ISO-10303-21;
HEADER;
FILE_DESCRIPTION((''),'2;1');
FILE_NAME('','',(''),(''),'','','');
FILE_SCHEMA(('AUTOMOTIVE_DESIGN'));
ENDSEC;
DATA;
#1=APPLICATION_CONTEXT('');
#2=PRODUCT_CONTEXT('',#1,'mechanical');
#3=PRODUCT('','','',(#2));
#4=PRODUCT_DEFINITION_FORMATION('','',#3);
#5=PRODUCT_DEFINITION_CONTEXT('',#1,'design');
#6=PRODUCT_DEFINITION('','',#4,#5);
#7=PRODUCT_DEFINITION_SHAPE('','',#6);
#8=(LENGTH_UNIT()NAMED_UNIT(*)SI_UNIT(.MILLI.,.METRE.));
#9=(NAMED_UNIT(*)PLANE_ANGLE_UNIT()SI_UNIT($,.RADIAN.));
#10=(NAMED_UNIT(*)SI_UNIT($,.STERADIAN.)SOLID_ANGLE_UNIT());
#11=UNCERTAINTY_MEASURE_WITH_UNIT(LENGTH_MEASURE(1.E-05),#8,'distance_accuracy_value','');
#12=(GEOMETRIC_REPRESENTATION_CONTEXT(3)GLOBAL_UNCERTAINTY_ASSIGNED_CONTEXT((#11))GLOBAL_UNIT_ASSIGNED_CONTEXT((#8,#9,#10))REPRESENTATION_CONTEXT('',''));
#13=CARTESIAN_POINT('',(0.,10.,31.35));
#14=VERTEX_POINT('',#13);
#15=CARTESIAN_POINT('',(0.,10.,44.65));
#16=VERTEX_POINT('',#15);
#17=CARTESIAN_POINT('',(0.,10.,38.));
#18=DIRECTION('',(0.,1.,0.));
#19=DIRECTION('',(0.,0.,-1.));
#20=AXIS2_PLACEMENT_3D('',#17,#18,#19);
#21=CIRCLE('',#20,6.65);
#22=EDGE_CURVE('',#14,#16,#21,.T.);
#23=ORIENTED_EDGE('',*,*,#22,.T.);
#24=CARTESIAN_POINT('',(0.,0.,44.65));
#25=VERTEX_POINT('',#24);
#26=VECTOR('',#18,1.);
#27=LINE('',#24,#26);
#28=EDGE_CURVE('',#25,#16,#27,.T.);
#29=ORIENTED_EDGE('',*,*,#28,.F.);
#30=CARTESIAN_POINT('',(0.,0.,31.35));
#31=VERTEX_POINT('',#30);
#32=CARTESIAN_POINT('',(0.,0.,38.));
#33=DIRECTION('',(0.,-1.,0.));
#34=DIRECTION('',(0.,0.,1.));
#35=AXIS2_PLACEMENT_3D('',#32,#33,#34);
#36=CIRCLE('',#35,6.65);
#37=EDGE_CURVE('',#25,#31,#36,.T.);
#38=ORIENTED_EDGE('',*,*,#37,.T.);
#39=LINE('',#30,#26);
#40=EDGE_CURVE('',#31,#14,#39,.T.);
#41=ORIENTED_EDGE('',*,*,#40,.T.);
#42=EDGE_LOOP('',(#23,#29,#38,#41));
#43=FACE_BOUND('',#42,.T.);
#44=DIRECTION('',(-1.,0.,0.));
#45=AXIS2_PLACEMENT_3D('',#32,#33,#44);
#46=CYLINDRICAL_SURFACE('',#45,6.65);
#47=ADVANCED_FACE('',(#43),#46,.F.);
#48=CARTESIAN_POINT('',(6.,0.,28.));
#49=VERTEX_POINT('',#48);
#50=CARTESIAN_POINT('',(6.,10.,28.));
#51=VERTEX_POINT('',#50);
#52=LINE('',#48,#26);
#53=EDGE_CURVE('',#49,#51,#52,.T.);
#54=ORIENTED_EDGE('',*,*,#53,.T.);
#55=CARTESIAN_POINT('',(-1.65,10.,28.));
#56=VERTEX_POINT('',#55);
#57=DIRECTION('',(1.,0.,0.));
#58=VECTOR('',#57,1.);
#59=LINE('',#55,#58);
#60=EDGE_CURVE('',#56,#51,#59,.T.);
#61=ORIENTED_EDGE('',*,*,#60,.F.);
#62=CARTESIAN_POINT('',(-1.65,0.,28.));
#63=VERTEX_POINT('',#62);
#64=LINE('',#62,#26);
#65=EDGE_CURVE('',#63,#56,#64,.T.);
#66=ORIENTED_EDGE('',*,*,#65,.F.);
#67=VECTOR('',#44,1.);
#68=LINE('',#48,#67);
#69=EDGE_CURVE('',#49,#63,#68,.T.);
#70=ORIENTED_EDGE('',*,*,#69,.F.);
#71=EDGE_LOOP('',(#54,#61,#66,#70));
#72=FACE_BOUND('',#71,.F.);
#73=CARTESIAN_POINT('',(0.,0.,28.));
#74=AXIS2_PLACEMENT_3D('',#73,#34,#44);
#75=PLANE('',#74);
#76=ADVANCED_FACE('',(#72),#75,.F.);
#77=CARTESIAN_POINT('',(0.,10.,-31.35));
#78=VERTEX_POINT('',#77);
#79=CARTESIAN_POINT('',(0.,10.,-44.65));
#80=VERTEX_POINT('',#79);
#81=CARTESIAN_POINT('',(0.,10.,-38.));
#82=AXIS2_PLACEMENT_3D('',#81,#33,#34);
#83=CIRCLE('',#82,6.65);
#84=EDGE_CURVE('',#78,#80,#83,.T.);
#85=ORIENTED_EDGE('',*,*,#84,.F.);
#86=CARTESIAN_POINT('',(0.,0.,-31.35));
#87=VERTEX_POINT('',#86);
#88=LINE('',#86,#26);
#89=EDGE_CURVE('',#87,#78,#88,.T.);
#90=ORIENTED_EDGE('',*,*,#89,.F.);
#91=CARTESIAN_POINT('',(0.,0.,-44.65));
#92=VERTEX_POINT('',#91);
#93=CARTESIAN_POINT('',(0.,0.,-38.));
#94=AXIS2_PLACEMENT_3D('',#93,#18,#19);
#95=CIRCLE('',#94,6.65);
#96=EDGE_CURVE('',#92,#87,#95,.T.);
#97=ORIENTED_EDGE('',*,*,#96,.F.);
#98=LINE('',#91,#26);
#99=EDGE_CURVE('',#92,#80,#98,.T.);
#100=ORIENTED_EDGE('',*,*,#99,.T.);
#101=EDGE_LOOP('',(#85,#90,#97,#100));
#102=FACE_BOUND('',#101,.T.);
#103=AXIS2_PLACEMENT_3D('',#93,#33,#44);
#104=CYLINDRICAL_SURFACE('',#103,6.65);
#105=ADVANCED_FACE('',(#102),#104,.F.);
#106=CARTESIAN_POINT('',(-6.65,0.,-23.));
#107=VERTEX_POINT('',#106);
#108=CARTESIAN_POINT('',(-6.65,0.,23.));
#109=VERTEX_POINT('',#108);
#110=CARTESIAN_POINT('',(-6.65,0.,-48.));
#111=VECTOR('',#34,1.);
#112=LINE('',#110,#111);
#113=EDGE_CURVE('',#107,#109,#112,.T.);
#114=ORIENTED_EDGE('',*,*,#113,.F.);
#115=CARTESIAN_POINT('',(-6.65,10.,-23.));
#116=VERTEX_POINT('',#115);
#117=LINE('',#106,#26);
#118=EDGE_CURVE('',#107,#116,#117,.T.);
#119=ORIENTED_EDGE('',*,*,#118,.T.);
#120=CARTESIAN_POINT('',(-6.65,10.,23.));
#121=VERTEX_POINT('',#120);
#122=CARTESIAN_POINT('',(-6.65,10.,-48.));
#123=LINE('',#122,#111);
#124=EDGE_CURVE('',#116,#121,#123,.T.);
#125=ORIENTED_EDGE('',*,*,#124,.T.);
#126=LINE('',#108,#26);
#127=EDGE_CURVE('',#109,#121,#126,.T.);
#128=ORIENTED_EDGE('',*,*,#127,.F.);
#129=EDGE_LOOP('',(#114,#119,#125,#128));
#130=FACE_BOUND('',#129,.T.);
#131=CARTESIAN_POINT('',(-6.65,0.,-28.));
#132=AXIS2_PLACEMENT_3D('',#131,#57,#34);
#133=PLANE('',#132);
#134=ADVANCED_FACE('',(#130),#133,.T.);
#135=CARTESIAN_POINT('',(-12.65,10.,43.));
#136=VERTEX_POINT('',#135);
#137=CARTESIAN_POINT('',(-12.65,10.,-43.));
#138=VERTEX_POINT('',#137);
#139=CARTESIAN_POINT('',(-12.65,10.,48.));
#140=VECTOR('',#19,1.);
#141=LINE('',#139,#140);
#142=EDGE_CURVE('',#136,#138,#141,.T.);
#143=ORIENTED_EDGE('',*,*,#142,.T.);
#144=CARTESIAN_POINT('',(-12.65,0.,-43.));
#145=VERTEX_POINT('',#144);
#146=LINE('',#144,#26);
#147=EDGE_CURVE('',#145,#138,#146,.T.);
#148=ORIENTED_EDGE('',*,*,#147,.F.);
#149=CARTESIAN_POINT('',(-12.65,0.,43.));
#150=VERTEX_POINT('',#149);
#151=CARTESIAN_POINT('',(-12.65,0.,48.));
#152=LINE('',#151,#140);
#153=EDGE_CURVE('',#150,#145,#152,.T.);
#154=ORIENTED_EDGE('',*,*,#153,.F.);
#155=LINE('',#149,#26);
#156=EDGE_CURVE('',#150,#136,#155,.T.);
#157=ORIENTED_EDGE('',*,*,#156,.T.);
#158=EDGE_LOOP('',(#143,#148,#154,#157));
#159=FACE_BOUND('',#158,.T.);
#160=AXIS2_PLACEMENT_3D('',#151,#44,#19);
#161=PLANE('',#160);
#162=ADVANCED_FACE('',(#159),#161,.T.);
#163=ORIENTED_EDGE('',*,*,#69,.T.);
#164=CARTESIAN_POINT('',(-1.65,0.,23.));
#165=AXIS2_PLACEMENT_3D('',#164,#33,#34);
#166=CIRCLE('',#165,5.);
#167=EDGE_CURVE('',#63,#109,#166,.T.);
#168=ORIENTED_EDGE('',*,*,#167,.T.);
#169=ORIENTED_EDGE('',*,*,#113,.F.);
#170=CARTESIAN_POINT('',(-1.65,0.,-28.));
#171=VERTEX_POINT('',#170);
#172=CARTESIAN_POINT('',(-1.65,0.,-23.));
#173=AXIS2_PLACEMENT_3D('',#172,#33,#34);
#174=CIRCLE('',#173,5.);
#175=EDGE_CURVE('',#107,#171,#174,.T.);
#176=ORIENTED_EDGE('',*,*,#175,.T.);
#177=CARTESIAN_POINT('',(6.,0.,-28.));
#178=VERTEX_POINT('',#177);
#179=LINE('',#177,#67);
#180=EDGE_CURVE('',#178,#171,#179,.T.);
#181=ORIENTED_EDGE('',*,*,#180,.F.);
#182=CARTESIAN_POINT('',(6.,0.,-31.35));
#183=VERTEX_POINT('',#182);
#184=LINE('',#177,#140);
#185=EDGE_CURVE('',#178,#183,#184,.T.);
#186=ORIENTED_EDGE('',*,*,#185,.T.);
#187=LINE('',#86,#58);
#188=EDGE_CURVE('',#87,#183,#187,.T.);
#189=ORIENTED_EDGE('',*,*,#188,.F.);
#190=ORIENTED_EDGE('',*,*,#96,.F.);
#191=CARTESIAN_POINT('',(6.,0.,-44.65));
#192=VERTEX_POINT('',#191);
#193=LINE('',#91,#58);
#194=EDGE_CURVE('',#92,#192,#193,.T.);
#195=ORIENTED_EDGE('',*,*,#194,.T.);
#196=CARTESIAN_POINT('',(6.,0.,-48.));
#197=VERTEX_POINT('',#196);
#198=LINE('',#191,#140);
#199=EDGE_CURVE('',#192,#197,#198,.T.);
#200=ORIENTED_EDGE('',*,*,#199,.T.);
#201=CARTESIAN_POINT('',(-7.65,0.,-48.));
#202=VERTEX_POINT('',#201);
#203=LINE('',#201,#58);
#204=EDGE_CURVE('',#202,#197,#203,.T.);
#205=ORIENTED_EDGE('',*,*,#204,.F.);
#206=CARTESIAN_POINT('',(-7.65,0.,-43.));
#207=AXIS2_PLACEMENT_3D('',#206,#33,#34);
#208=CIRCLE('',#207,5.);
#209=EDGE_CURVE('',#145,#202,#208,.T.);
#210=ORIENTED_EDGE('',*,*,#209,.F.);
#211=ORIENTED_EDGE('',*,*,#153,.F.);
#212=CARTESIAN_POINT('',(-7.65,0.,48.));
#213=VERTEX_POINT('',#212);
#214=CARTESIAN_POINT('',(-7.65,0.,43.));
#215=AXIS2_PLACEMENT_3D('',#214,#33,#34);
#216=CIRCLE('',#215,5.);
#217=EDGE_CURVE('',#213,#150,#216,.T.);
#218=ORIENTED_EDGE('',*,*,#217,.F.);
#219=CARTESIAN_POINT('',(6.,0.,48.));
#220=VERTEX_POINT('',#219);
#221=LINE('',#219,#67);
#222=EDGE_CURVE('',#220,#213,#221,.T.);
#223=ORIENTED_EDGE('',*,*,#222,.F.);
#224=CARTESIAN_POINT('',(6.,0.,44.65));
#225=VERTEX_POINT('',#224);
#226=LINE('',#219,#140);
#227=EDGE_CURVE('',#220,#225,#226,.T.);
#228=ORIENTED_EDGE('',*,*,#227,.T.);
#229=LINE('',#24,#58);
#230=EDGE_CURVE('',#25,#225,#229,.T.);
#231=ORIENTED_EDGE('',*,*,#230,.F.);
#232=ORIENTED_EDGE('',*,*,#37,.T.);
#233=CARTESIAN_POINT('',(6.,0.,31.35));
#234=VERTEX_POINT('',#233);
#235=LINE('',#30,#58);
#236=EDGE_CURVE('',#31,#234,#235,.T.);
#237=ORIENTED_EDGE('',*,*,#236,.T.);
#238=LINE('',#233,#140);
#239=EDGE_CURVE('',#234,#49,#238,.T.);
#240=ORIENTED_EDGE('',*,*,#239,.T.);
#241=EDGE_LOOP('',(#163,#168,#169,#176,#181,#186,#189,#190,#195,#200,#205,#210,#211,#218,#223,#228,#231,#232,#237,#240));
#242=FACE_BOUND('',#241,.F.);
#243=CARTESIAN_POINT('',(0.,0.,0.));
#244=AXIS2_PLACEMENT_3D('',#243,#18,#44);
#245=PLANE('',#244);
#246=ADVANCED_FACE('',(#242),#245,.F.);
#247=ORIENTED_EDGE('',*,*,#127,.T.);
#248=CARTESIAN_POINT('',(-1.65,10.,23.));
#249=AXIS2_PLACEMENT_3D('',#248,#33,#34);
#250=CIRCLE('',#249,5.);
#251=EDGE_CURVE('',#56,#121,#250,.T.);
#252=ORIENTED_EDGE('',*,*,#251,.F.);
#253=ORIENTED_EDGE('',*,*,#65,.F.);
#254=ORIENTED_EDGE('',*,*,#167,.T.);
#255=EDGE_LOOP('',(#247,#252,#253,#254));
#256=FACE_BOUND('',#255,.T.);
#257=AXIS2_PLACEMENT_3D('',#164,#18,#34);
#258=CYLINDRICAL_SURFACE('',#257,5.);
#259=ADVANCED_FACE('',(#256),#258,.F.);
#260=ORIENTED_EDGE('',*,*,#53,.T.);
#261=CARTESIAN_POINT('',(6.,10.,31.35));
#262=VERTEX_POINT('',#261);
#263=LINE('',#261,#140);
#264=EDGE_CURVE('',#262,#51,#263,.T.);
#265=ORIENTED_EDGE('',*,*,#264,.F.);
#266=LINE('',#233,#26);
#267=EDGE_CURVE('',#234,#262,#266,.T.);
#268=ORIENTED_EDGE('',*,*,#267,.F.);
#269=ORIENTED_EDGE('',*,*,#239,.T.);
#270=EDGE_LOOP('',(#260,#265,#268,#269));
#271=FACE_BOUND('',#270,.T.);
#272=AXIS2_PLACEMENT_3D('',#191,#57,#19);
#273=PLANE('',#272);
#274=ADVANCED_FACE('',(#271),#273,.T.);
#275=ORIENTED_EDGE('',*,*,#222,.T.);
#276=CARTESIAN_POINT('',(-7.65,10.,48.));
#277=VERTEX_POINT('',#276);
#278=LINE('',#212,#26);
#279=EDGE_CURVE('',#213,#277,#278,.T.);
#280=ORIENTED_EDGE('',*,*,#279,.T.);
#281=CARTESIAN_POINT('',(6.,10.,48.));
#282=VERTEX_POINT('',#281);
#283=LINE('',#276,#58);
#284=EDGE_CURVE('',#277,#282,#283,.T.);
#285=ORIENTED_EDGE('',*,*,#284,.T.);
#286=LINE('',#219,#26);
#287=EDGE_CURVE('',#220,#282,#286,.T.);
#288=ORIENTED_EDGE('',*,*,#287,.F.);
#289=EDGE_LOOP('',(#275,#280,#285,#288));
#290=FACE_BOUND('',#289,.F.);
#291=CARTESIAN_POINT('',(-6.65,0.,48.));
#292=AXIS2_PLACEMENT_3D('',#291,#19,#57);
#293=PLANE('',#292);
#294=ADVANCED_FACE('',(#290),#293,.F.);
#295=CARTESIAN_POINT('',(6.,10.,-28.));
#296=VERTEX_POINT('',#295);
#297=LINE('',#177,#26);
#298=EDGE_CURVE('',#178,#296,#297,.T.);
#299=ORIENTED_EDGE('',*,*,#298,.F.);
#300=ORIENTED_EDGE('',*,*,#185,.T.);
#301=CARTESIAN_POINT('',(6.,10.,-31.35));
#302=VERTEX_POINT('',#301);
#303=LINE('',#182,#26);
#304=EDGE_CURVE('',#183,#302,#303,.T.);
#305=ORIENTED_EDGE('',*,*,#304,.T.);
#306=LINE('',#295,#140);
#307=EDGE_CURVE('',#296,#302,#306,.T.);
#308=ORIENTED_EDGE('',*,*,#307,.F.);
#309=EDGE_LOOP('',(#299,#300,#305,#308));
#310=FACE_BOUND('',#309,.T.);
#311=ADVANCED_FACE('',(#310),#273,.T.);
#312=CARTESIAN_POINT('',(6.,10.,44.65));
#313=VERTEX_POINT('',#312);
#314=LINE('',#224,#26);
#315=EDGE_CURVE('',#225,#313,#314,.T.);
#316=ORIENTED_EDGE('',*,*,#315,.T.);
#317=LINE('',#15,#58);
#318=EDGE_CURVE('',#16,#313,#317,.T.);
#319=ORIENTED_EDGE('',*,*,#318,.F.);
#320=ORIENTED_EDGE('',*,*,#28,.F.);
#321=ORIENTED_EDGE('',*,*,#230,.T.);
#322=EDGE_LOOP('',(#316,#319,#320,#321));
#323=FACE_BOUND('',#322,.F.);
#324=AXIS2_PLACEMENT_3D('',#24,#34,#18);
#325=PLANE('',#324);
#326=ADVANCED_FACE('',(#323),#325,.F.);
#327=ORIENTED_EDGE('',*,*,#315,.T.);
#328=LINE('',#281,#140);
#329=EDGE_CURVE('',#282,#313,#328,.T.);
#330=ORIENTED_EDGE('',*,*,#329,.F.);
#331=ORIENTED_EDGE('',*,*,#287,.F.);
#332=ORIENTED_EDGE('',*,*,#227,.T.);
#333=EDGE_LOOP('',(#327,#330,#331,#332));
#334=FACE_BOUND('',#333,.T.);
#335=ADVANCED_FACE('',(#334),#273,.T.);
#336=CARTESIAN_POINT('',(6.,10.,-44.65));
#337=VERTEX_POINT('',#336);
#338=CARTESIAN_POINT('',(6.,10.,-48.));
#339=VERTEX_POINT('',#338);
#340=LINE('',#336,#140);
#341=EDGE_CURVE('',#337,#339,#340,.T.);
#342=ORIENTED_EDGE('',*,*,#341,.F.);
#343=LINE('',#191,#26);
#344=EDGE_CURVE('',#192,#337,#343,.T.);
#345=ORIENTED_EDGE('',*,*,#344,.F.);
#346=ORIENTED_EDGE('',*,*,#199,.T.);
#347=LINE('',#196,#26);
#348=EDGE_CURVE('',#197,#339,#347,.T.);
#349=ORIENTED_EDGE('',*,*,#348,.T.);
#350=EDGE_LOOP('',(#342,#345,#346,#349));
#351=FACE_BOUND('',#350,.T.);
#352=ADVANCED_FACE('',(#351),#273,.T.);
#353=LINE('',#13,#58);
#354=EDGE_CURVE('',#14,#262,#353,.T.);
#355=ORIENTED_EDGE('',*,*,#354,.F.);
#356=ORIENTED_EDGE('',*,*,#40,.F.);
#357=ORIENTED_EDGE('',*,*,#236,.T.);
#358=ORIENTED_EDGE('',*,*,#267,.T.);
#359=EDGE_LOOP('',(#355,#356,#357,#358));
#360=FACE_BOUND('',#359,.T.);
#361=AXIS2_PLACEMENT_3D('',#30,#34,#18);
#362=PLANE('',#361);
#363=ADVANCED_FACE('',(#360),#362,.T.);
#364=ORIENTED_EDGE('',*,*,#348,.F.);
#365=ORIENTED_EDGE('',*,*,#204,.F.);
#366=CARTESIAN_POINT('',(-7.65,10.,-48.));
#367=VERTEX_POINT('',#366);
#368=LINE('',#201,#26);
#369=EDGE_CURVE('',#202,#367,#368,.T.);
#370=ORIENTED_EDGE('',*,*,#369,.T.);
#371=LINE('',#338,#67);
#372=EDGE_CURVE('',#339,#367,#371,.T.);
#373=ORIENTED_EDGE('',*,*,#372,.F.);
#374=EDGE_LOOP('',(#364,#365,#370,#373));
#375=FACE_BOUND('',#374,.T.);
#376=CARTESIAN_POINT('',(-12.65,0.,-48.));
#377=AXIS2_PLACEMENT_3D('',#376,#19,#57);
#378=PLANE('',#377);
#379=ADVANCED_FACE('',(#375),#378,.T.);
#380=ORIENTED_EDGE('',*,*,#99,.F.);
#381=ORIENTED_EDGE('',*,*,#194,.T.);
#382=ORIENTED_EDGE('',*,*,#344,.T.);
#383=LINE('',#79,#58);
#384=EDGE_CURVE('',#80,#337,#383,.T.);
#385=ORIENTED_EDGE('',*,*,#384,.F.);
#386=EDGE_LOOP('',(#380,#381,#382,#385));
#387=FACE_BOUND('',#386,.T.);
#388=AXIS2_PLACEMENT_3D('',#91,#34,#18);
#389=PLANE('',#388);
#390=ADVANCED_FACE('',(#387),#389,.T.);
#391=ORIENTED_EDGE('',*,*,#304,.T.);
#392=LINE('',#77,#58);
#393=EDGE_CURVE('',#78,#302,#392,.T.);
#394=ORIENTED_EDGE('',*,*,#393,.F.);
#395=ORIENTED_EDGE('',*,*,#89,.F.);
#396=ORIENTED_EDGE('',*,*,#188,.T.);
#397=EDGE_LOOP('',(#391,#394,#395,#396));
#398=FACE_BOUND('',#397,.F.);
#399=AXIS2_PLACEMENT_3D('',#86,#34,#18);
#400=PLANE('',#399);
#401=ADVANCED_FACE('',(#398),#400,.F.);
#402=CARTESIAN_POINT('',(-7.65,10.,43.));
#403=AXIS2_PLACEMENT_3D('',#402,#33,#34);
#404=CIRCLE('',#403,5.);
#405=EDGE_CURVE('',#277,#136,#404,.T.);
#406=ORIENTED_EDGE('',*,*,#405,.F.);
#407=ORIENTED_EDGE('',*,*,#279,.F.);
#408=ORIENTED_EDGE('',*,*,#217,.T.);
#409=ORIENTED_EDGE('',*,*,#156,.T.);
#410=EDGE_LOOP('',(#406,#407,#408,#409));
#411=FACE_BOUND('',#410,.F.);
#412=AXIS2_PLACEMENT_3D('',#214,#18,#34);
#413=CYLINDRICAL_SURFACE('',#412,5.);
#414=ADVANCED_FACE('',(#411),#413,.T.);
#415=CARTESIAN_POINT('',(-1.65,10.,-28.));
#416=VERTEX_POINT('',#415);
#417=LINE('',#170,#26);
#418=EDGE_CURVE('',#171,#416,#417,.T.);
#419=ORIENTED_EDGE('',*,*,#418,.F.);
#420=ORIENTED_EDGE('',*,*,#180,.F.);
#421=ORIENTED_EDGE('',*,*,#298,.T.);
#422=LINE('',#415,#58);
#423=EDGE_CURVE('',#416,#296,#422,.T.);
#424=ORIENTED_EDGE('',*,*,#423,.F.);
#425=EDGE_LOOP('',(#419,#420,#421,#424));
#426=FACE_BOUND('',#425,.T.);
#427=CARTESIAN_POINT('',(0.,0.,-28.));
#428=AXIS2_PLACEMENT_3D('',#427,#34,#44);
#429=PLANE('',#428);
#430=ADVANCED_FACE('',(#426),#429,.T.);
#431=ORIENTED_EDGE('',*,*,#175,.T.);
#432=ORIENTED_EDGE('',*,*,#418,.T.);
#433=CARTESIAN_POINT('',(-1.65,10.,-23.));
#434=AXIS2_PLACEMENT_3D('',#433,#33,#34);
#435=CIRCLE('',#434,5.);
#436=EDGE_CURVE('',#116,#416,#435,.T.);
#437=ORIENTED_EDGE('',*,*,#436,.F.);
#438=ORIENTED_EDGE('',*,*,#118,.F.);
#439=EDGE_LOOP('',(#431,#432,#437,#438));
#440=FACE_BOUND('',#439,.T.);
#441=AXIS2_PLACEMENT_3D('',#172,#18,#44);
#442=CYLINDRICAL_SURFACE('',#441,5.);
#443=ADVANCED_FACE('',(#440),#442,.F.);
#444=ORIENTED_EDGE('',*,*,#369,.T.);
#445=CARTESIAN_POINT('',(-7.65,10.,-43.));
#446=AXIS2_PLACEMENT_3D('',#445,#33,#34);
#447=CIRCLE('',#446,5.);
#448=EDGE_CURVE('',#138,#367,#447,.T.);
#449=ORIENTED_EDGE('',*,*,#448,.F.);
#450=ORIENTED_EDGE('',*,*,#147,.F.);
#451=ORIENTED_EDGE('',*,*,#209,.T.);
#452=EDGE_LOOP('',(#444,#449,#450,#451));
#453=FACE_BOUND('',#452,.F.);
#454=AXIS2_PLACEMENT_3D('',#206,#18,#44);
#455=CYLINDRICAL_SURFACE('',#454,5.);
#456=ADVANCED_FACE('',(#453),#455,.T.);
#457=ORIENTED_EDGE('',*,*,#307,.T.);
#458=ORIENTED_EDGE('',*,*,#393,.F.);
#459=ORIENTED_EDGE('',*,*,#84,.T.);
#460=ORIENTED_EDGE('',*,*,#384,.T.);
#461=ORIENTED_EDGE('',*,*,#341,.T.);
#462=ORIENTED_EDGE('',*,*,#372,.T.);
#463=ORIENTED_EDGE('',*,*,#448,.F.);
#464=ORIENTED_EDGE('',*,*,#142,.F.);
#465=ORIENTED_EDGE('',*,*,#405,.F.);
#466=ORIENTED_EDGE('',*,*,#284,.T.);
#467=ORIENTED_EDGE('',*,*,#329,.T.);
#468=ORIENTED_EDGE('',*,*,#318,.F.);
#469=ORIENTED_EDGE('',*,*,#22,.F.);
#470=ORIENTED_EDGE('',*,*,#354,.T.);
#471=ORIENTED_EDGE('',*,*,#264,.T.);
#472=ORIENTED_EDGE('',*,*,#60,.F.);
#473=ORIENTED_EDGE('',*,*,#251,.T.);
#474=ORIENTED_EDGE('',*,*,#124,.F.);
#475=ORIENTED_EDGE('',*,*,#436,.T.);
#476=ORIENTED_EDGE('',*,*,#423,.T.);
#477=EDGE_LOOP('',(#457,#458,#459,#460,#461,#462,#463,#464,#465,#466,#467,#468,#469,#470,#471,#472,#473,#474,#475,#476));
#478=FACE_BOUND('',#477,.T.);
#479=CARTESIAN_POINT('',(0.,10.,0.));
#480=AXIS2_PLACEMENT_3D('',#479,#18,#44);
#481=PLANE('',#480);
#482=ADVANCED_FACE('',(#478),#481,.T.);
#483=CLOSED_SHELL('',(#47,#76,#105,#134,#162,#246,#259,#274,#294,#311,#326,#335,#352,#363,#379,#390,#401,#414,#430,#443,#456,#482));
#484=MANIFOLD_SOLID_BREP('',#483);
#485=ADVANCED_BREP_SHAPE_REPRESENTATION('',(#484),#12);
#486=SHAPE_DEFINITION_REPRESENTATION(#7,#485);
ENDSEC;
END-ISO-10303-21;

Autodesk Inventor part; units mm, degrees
ref_plane "YZ Plane" through (0, 0, 0) normal (1, 0, 0) x (0, 1, 0)
ref_plane "XZ Plane" through (0, 0, 0) normal (0, 1, 0) x (-1, 0, 0)
ref_plane "XY Plane" through (0, 0, 0) normal (0, 0, 1) x (1, 0, 0)
sketch "Sketch1" plane through (0, 0, 0) normal (0, 1, 0) x (-1, 0, 0)
  circle A0 centre (0, 38) radius 6.65
  circle A1 centre (0, -38) radius 6.65
  circle A2 centre (0, 38) radius 10
  circle A3 centre (0, -38) radius 10
  line L0 (6.65, 48) -> (12.65, 48)
  line L1 (12.65, 48) -> (12.65, -48)
  line L2 (12.65, -48) -> (6.65, -48)
  line L3 (6.65, -48) -> (6.65, 48)
  line L4 (12.65, 48) -> (0, 48)
  line L5 (12.65, -48) -> (0, -48)
  line L6 (0, 28) -> (6.65, 28)
  line L7 (0, -28) -> (6.65, -28)
  line L8 (0, 48) -> (0, -48)
  point P0 (0, 0)
  point P1 (0, 31.35)
  point P2 (0, -31.35)
  point P3 (0, -44.65)
  point P4 (6.65, -45.4684)
  point P5 (0, 44.65)
  dimension "d0" = 38
  dimension "d1" = 38
  dimension "d2" = 13.3
  dimension "d3" = 20
  dimension "d4" = 20
  dimension "d5" = 6
extrude "Extrusion1" add sketch "Sketch1" along normal blind 10 contours L3 A2 L8 A0 | L3 A2 | A0 L8 A2 L3 | L3 L6 A2 | A2 L3 L0 L1 L2 A3 | A2 L4 L3 | L7 L3 A3 | A3 L3 A1 L8 | L8 A1 L3 A3 | A3 L3 L5 | A3 L3
fillet "Fillet1" radius 5 4 edges at (-12.65, 5, 48) (-12.65, 5, -48) (-6.65, 5, -28) (-6.65, 5, 28)
sketch "Sketch2" plane through (0, 0, -44.65) normal (1, 0, 0) x (0, 0, -1)
  line L0 (0, 0) -> (3.35, 0) projected
  line L1 (3.35, 0) -> (3.35, 10) projected
  line L2 (0, 10) -> (3.35, 10) projected
  line L3 (0, 0) -> (0, 10) projected
  line L4 (-16.65, 0) -> (-13.3, 0) projected
  line L5 (-13.3, 0) -> (-13.3, 10) projected
  line L6 (-16.65, 10) -> (-13.3, 10) projected
  line L7 (-16.65, 0) -> (-16.65, 10) projected
  line L8 (-76, 0) -> (-72.65, 0) projected
  line L9 (-72.65, 0) -> (-72.65, 10) projected
  line L10 (-76, 10) -> (-72.65, 10) projected
  line L11 (-76, 0) -> (-76, 10) projected
  line L12 (-92.65, 0) -> (-89.3, 0) projected
  line L13 (-89.3, 0) -> (-89.3, 10) projected
  line L14 (-92.65, 10) -> (-89.3, 10) projected
  line L15 (-92.65, 0) -> (-92.65, 10) projected
  point P0 (-44.65, 0)
extrude "Extrusion2" add sketch "Sketch2" along normal blind 6
properties part number "Base"
